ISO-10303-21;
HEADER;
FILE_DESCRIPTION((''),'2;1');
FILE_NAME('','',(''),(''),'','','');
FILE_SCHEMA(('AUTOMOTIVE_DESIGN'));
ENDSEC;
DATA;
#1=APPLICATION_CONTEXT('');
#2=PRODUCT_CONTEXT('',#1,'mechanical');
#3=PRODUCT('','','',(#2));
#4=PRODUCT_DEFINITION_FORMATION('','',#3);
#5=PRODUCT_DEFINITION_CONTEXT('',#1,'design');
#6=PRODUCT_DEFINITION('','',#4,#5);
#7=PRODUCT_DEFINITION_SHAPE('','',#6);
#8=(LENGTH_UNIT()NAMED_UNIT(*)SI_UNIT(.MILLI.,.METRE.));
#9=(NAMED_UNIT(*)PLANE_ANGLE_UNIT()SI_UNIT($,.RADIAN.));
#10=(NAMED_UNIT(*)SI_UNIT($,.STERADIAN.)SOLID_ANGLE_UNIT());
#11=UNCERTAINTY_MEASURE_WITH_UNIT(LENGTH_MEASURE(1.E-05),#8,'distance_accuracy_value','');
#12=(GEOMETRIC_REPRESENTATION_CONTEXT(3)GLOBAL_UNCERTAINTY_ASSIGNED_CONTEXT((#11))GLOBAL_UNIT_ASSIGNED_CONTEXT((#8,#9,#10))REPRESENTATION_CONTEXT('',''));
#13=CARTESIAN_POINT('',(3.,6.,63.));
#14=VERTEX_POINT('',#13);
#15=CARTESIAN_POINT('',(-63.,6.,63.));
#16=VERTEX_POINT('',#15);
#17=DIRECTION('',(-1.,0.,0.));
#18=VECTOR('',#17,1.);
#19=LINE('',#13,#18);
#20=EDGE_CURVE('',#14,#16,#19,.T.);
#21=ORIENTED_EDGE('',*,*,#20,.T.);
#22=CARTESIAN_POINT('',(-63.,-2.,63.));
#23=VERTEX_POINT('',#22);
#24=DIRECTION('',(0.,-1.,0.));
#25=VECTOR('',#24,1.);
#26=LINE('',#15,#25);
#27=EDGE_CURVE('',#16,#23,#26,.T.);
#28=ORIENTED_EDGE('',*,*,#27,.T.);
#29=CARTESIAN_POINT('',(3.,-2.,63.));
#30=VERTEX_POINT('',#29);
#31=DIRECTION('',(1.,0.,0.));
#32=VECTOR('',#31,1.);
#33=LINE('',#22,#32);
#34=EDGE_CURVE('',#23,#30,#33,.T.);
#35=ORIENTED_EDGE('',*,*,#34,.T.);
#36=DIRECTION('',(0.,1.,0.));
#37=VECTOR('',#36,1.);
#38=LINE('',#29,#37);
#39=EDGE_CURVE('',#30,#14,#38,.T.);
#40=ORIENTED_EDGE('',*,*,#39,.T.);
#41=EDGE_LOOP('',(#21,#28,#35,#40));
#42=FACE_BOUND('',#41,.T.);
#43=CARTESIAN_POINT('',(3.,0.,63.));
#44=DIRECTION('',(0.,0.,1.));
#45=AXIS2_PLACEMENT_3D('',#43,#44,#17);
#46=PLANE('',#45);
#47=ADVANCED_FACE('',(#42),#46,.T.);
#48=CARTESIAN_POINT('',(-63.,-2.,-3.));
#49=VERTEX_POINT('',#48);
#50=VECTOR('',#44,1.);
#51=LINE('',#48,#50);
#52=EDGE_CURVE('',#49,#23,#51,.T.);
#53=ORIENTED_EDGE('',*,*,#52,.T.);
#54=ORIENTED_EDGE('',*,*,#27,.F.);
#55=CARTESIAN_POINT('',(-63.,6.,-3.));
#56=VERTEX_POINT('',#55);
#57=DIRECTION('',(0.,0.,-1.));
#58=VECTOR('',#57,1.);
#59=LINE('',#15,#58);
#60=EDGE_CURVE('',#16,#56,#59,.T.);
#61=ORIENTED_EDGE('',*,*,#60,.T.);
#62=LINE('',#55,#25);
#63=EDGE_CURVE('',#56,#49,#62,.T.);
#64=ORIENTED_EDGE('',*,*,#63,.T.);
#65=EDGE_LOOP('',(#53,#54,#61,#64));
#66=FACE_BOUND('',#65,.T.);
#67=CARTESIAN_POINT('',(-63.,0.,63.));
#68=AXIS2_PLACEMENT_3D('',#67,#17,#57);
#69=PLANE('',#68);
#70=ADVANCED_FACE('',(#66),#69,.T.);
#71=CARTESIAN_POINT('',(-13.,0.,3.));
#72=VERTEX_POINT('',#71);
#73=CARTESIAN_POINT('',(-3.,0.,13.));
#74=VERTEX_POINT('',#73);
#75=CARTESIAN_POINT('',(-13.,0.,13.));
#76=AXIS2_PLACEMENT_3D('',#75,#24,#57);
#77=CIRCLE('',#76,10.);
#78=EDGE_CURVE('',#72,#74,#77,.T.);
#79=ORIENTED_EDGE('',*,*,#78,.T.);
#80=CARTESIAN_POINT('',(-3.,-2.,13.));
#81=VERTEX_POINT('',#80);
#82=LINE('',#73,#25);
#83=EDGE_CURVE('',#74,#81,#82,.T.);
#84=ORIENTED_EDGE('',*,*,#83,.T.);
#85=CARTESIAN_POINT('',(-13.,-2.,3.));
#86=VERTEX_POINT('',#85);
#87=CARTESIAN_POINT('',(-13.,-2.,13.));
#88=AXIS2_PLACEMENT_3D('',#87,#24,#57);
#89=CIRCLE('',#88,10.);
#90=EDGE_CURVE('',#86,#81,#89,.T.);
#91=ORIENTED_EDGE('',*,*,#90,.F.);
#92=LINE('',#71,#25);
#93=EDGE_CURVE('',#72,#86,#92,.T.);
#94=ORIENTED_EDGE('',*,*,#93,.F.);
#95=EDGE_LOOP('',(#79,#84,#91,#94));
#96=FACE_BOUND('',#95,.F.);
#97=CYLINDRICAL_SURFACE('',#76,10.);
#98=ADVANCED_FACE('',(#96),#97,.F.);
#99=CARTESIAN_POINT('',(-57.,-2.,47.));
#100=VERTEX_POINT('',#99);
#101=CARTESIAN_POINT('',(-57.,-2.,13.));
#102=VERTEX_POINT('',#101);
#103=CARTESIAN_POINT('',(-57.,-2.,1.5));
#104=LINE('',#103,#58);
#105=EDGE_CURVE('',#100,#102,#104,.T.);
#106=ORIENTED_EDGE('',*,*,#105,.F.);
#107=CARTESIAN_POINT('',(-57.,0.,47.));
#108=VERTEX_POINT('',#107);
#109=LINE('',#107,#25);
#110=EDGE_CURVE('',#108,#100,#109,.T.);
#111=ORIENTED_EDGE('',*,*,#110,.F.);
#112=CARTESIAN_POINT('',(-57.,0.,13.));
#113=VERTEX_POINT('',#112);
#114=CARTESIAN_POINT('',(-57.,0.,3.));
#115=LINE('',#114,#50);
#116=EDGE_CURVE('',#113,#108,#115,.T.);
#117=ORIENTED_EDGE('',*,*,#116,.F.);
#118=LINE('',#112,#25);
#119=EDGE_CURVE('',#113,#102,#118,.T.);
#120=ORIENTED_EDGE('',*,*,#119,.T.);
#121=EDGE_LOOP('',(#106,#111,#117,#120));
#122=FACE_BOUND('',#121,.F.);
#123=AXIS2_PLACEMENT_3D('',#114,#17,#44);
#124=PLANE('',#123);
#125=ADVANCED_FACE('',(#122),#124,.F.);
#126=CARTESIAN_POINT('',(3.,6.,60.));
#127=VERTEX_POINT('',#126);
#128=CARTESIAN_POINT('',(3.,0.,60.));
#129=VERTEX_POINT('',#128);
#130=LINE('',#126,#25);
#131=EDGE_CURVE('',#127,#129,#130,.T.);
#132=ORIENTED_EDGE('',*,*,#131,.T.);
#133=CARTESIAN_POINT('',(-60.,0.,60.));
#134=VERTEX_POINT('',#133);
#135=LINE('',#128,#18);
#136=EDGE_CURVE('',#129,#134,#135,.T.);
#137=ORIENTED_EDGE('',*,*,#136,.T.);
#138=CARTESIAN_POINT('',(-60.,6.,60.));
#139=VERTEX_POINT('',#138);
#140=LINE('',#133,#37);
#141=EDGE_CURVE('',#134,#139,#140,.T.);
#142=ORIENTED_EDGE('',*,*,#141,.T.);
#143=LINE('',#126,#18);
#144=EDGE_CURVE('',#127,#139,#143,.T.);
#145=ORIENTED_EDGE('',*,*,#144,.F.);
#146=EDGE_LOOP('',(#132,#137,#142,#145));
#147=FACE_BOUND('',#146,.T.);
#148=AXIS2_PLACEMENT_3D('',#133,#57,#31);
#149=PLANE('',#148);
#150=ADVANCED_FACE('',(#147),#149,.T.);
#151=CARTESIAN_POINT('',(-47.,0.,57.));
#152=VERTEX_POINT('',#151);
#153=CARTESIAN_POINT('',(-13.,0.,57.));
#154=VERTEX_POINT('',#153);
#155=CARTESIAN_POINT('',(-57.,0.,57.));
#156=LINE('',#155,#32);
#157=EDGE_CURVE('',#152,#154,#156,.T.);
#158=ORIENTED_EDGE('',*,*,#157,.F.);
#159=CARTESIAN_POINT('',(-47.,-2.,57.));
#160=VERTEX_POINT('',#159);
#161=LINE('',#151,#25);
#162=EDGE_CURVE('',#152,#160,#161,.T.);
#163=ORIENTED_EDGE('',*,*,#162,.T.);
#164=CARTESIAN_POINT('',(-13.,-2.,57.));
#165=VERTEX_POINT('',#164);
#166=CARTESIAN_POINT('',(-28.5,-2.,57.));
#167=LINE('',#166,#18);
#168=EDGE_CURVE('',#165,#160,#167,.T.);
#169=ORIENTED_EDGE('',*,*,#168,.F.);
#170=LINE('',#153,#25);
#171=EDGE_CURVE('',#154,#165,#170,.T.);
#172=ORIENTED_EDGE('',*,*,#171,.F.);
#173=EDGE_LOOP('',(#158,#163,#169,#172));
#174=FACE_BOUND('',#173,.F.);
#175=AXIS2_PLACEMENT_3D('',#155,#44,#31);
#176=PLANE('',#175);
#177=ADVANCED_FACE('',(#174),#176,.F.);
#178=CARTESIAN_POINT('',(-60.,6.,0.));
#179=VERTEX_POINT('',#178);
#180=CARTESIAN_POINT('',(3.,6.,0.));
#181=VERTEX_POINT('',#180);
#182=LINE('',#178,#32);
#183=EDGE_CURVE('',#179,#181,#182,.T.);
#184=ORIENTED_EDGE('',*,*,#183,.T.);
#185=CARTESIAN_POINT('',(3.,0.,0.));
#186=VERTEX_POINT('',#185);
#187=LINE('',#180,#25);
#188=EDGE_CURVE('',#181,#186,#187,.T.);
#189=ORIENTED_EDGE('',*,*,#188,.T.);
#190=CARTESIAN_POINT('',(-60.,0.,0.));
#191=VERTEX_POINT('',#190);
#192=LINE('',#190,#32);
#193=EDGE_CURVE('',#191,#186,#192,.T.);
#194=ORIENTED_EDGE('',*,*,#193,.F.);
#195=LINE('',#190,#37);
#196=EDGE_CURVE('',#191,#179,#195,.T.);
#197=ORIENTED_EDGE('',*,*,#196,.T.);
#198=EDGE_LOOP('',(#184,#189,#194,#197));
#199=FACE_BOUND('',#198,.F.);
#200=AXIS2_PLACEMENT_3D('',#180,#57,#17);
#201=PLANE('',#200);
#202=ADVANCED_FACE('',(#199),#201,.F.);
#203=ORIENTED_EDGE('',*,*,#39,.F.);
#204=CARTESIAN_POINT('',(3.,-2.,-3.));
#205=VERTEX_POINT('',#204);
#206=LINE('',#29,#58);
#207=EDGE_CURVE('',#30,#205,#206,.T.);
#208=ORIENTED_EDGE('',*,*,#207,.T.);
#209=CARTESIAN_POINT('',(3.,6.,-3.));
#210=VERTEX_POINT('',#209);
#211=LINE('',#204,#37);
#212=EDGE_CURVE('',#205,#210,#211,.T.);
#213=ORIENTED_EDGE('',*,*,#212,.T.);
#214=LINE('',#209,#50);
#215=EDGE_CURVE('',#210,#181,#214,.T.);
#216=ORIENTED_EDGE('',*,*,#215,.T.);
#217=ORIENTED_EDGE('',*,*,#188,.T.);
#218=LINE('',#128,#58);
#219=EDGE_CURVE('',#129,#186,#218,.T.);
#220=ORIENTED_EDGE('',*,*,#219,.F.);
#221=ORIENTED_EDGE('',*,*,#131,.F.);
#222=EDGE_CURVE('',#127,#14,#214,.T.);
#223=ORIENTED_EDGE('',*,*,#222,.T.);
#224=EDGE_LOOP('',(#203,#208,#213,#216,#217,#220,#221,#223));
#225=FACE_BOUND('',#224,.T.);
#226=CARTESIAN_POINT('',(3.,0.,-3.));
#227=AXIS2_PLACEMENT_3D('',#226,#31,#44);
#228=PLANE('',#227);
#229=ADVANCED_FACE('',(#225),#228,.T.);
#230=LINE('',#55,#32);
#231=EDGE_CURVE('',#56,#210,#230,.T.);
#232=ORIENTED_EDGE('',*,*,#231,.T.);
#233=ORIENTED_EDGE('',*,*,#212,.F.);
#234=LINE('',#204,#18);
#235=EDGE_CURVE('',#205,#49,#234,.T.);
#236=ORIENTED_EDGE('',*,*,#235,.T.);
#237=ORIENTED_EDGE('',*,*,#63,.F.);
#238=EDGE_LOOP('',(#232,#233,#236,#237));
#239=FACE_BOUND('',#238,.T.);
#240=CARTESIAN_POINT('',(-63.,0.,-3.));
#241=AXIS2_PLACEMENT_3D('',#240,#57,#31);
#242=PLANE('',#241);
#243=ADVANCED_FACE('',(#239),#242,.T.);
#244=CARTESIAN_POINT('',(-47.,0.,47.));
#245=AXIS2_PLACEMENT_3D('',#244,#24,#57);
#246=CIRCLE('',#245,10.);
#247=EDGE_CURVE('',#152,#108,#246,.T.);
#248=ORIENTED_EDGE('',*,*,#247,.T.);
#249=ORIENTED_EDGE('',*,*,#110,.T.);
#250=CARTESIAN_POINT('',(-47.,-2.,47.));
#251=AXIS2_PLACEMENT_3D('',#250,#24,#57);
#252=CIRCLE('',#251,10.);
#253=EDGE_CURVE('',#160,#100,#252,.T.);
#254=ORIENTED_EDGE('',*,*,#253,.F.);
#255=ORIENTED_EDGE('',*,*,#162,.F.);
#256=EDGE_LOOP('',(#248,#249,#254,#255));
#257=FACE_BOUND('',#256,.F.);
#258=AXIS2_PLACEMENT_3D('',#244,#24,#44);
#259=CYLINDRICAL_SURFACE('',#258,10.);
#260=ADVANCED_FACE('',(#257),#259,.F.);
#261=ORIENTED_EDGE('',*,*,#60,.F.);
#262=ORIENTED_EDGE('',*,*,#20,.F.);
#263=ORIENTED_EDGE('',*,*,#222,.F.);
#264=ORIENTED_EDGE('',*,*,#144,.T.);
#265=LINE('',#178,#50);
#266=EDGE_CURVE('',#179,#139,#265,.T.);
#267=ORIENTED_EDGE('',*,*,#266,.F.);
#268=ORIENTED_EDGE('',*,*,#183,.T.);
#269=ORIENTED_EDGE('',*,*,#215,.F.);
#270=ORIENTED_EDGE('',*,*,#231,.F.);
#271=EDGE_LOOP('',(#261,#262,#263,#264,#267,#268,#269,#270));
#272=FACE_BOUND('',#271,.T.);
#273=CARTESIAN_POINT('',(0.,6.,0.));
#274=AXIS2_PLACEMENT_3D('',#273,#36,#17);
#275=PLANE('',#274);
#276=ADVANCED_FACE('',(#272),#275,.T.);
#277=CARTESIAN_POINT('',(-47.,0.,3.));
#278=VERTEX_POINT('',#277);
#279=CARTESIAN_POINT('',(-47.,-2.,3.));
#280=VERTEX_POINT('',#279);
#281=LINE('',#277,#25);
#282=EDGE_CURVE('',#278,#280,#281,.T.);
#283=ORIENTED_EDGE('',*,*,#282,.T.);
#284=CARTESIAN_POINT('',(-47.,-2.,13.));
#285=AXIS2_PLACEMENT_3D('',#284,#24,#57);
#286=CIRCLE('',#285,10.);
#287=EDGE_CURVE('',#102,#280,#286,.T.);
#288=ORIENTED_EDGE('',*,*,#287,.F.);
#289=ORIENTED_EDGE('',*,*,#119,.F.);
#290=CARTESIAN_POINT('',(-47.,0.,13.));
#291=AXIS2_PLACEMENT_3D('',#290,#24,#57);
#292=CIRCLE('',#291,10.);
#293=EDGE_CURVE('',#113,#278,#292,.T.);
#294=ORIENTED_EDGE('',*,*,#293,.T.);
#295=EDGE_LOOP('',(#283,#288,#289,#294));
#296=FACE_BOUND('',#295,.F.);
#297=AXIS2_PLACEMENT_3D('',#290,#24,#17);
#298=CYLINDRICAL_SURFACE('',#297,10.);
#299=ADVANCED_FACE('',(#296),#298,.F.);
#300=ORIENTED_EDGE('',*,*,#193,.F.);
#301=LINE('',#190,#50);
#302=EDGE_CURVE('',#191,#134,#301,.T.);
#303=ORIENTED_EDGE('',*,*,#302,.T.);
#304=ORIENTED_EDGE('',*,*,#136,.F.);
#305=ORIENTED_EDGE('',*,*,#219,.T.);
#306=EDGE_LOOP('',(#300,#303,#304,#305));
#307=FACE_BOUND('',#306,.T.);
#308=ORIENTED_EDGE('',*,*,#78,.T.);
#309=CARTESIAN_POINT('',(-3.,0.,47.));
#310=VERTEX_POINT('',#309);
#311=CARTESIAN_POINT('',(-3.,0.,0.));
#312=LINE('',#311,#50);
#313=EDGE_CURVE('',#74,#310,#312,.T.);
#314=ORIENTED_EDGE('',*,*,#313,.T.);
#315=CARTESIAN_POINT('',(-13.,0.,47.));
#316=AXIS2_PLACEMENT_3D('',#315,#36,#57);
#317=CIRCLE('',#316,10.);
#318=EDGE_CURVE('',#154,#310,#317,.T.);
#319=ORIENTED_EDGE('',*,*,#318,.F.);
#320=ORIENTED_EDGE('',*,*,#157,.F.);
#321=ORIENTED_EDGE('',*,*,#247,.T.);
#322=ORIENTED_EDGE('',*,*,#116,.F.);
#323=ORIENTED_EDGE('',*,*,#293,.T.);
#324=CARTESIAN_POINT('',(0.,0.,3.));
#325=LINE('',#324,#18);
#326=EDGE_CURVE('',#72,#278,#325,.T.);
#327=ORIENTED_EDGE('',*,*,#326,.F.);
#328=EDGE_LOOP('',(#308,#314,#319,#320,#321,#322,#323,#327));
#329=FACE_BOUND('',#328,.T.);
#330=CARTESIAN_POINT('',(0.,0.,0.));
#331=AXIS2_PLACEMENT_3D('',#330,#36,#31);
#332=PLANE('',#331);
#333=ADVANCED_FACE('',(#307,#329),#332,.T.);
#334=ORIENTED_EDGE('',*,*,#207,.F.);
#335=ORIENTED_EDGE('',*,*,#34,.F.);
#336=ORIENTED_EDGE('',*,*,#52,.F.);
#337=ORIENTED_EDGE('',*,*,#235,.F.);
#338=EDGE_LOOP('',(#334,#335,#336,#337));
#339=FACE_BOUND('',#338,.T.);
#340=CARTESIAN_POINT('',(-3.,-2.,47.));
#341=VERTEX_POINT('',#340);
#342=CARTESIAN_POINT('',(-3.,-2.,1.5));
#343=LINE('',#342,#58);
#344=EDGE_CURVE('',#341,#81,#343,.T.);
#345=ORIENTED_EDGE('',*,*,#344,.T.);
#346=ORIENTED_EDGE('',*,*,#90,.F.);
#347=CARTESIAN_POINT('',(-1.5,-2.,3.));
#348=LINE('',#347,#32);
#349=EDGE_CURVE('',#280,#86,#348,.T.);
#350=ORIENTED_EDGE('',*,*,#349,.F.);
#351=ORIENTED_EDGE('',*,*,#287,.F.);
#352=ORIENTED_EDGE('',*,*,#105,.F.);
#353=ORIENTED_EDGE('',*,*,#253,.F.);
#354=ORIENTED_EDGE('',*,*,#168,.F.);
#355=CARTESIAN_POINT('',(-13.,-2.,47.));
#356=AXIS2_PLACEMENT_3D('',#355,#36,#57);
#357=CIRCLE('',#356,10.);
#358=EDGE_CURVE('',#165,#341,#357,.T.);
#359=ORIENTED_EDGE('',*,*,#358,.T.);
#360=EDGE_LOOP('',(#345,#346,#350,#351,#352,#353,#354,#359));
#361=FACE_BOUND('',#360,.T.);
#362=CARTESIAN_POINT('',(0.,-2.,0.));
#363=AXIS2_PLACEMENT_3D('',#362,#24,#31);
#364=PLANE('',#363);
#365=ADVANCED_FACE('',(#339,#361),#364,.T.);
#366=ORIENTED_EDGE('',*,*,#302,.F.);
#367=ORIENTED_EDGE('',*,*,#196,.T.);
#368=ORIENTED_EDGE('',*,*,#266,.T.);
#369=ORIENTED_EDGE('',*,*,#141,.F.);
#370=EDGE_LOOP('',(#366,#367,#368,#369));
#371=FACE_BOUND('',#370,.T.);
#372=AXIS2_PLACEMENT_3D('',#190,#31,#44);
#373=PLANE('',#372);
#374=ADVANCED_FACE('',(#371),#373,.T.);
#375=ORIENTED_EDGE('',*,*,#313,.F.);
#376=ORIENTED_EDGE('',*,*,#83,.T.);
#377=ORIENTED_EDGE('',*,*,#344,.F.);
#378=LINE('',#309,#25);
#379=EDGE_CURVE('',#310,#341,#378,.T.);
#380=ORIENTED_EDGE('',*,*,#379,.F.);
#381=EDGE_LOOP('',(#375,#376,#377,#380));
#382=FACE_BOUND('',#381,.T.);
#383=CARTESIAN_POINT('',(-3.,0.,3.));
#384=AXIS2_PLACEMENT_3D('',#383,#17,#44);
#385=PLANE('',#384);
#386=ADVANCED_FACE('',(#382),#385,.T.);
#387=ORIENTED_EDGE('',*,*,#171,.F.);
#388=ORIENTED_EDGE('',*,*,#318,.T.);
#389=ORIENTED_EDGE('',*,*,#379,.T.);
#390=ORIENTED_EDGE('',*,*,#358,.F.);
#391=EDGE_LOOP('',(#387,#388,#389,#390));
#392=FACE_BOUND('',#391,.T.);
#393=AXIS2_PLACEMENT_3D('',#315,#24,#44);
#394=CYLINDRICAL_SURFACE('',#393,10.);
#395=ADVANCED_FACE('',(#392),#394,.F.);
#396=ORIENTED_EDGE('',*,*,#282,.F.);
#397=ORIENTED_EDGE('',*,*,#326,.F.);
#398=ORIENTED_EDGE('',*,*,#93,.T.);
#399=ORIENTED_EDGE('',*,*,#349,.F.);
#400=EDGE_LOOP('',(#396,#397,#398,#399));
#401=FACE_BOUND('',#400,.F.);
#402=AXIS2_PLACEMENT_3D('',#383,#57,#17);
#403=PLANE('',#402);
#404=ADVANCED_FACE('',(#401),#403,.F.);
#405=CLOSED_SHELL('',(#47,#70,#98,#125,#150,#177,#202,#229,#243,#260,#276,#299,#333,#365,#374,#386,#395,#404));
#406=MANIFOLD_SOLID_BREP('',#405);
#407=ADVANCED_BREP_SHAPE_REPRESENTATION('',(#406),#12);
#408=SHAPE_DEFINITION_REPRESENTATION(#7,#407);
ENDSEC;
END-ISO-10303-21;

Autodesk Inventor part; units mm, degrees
ref_plane "YZ Plane" through (0, 0, 0) normal (1, 0, 0) x (0, 1, 0)
ref_plane "XZ Plane" through (0, 0, 0) normal (0, 1, 0) x (-1, 0, 0)
ref_plane "XY Plane" through (0, 0, 0) normal (0, 0, 1) x (1, 0, 0)
sketch "Boceto1" plane through (0, 0, 0) normal (0, 1, 0) x (-1, 0, 0)
  line L0 (0, 0) -> (60, 0)
  line L1 (60, 0) -> (60, 60)
  line L2 (60, 60) -> (0, 60)
  line L3 (0, 60) -> (0, 0)
  line L4 (3, 57) -> (57, 57)
  line L5 (57, 57) -> (57, 3)
  line L6 (57, 3) -> (3, 3)
  line L7 (3, 3) -> (3, 57)
  line L8 (-3, 63) -> (63, 63)
  line L9 (63, 63) -> (63, -3)
  line L10 (63, -3) -> (-3, -3)
  line L11 (-3, -3) -> (-3, 63)
  dimension "d0" = 60
  dimension "d1" = 60
  dimension "d3" = 3
  dimension "d13" = 3
extrude "Extrusión1" add sketch "Boceto1" along normal blind 6 contours L8 L9 L10 L11
sketch "Boceto2" plane through (0, 0, 0) normal (0, -1, 0) x (1, 0, 0)
  line L0 (3, -3) -> (-63, -3) projected
  line L1 (3, 63) -> (3, -3) projected
  line L2 (-63, 63) -> (3, 63) projected
  line L3 (-63, -3) -> (-63, 63) projected
  line L4 (0, 0) -> (0, 60) projected
  line L5 (-60, 0) -> (0, 0) projected
  line L6 (-60, 60) -> (-60, 0) projected
  line L7 (0, 60) -> (-60, 60) projected
extrude "Extrusión2" add sketch "Boceto2" along normal blind 2 contours L0 L3 L2 L1 | L5 L6 L7 L4
sketch "Boceto3" plane through (0, 6, 0) normal (0, 1, 0) x (1, 0, 0)
  line L0 (0, 0) -> (0, -60) projected
  line L1 (0, -60) -> (3, -60)
  line L2 (3, -60) -> (3, 0)
  line L3 (3, 0) -> (0, 0)
  line L4 (0, 0) -> (0, -60)
extrude "Extrusión3" cut sketch "Boceto3" against normal up to surface (6 mm away)
sketch "Boceto4" plane through (0, 0, 0) normal (0, 1, 0) x (1, 0, 0)
  line L0 (-60, 0) -> (3, 0) projected
  line L1 (-60, -60) -> (-60, 0) projected
  line L2 (-60, -60) -> (3, -60) projected
  line L3 (3, 0) -> (3, -60) projected
  line L4 (3, -60) -> (0, -60)
  line L5 (0, -60) -> (0, 0)
  line L6 (0, -57) -> (0, -3)
  line L7 (0, -3) -> (-57, -3)
  line L8 (-57, -3) -> (-57, -57)
  line L9 (-57, -57) -> (0, -57)
  line L10 (-3, 0) -> (-3, -63)
  line L11 (-3, -63) -> (3, -63)
  point P0 (-3, -57)
  point P1 (-3, -3)
  dimension "d28" = 3
extrude "Extrusión4" cut sketch "Boceto4" against normal blind 10 contours L10 L9 L8 L7
fillet "Empalme1" radius 10 4 edges at (-3, -1, 57) (-3, -1, 3) (-57, -1, 3) (-57, -1, 57)
properties part number "Disco_inferior"
